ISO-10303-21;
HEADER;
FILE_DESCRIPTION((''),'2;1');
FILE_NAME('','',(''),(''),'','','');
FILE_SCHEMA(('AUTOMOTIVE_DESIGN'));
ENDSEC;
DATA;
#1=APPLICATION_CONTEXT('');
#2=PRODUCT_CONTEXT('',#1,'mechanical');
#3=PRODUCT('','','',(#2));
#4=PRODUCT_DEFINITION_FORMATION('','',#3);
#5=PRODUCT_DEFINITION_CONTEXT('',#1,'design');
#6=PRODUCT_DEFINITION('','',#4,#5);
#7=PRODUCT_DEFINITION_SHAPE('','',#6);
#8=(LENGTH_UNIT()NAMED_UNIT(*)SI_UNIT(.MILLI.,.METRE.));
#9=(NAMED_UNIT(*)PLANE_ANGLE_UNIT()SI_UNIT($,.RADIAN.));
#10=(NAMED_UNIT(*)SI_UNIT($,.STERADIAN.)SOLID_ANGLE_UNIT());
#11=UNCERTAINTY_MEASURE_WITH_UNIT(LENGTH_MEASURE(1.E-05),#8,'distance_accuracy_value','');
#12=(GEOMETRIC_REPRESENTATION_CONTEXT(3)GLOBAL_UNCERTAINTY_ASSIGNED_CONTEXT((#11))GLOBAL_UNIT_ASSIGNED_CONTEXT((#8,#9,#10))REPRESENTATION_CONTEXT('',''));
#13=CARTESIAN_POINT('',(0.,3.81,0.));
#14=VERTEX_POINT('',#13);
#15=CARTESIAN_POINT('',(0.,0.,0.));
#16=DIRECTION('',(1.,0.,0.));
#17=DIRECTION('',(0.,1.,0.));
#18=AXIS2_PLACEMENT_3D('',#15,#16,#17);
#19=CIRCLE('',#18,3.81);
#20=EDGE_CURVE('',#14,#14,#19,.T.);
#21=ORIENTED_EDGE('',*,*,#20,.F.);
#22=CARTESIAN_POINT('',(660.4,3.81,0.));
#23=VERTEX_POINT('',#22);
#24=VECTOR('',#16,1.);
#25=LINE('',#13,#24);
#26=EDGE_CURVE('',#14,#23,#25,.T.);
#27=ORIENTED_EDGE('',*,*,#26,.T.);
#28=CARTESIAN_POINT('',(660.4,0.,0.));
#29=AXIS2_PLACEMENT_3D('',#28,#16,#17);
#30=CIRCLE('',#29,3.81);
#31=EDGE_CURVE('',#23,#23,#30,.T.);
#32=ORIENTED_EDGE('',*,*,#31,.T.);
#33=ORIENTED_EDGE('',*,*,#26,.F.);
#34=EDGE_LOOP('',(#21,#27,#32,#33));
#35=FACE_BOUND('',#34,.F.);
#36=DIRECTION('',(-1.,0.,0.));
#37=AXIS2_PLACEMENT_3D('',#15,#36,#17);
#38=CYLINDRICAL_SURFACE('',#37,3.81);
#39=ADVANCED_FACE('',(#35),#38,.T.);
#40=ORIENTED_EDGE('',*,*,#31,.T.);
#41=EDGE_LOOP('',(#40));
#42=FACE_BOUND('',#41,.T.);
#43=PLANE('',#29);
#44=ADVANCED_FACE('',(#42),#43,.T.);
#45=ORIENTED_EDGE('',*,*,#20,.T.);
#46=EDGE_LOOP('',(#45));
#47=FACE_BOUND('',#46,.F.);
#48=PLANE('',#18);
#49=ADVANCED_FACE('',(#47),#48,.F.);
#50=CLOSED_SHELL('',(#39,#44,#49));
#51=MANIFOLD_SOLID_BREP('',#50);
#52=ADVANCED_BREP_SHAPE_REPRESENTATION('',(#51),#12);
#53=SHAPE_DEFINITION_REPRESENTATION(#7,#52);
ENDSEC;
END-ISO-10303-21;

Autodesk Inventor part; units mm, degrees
ref_plane "YZ Plane" through (0, 0, 0) normal (1, 0, 0) x (0, 1, 0)
ref_plane "XZ Plane" through (0, 0, 0) normal (0, 1, 0) x (-1, 0, 0)
ref_plane "XY Plane" through (0, 0, 0) normal (0, 0, 1) x (1, 0, 0)
sketch "Sketch2" plane through (0, 0, 0) normal (1, 0, 0) x (0, 1, 0)
  circle A0 centre (0, 0) radius 3.81
  dimension "d3" = 7.62
extrude "Extrusion2" add sketch "Sketch2" along normal blind 660.4
properties part number "2h3rbb" material "Steel, Mild"
